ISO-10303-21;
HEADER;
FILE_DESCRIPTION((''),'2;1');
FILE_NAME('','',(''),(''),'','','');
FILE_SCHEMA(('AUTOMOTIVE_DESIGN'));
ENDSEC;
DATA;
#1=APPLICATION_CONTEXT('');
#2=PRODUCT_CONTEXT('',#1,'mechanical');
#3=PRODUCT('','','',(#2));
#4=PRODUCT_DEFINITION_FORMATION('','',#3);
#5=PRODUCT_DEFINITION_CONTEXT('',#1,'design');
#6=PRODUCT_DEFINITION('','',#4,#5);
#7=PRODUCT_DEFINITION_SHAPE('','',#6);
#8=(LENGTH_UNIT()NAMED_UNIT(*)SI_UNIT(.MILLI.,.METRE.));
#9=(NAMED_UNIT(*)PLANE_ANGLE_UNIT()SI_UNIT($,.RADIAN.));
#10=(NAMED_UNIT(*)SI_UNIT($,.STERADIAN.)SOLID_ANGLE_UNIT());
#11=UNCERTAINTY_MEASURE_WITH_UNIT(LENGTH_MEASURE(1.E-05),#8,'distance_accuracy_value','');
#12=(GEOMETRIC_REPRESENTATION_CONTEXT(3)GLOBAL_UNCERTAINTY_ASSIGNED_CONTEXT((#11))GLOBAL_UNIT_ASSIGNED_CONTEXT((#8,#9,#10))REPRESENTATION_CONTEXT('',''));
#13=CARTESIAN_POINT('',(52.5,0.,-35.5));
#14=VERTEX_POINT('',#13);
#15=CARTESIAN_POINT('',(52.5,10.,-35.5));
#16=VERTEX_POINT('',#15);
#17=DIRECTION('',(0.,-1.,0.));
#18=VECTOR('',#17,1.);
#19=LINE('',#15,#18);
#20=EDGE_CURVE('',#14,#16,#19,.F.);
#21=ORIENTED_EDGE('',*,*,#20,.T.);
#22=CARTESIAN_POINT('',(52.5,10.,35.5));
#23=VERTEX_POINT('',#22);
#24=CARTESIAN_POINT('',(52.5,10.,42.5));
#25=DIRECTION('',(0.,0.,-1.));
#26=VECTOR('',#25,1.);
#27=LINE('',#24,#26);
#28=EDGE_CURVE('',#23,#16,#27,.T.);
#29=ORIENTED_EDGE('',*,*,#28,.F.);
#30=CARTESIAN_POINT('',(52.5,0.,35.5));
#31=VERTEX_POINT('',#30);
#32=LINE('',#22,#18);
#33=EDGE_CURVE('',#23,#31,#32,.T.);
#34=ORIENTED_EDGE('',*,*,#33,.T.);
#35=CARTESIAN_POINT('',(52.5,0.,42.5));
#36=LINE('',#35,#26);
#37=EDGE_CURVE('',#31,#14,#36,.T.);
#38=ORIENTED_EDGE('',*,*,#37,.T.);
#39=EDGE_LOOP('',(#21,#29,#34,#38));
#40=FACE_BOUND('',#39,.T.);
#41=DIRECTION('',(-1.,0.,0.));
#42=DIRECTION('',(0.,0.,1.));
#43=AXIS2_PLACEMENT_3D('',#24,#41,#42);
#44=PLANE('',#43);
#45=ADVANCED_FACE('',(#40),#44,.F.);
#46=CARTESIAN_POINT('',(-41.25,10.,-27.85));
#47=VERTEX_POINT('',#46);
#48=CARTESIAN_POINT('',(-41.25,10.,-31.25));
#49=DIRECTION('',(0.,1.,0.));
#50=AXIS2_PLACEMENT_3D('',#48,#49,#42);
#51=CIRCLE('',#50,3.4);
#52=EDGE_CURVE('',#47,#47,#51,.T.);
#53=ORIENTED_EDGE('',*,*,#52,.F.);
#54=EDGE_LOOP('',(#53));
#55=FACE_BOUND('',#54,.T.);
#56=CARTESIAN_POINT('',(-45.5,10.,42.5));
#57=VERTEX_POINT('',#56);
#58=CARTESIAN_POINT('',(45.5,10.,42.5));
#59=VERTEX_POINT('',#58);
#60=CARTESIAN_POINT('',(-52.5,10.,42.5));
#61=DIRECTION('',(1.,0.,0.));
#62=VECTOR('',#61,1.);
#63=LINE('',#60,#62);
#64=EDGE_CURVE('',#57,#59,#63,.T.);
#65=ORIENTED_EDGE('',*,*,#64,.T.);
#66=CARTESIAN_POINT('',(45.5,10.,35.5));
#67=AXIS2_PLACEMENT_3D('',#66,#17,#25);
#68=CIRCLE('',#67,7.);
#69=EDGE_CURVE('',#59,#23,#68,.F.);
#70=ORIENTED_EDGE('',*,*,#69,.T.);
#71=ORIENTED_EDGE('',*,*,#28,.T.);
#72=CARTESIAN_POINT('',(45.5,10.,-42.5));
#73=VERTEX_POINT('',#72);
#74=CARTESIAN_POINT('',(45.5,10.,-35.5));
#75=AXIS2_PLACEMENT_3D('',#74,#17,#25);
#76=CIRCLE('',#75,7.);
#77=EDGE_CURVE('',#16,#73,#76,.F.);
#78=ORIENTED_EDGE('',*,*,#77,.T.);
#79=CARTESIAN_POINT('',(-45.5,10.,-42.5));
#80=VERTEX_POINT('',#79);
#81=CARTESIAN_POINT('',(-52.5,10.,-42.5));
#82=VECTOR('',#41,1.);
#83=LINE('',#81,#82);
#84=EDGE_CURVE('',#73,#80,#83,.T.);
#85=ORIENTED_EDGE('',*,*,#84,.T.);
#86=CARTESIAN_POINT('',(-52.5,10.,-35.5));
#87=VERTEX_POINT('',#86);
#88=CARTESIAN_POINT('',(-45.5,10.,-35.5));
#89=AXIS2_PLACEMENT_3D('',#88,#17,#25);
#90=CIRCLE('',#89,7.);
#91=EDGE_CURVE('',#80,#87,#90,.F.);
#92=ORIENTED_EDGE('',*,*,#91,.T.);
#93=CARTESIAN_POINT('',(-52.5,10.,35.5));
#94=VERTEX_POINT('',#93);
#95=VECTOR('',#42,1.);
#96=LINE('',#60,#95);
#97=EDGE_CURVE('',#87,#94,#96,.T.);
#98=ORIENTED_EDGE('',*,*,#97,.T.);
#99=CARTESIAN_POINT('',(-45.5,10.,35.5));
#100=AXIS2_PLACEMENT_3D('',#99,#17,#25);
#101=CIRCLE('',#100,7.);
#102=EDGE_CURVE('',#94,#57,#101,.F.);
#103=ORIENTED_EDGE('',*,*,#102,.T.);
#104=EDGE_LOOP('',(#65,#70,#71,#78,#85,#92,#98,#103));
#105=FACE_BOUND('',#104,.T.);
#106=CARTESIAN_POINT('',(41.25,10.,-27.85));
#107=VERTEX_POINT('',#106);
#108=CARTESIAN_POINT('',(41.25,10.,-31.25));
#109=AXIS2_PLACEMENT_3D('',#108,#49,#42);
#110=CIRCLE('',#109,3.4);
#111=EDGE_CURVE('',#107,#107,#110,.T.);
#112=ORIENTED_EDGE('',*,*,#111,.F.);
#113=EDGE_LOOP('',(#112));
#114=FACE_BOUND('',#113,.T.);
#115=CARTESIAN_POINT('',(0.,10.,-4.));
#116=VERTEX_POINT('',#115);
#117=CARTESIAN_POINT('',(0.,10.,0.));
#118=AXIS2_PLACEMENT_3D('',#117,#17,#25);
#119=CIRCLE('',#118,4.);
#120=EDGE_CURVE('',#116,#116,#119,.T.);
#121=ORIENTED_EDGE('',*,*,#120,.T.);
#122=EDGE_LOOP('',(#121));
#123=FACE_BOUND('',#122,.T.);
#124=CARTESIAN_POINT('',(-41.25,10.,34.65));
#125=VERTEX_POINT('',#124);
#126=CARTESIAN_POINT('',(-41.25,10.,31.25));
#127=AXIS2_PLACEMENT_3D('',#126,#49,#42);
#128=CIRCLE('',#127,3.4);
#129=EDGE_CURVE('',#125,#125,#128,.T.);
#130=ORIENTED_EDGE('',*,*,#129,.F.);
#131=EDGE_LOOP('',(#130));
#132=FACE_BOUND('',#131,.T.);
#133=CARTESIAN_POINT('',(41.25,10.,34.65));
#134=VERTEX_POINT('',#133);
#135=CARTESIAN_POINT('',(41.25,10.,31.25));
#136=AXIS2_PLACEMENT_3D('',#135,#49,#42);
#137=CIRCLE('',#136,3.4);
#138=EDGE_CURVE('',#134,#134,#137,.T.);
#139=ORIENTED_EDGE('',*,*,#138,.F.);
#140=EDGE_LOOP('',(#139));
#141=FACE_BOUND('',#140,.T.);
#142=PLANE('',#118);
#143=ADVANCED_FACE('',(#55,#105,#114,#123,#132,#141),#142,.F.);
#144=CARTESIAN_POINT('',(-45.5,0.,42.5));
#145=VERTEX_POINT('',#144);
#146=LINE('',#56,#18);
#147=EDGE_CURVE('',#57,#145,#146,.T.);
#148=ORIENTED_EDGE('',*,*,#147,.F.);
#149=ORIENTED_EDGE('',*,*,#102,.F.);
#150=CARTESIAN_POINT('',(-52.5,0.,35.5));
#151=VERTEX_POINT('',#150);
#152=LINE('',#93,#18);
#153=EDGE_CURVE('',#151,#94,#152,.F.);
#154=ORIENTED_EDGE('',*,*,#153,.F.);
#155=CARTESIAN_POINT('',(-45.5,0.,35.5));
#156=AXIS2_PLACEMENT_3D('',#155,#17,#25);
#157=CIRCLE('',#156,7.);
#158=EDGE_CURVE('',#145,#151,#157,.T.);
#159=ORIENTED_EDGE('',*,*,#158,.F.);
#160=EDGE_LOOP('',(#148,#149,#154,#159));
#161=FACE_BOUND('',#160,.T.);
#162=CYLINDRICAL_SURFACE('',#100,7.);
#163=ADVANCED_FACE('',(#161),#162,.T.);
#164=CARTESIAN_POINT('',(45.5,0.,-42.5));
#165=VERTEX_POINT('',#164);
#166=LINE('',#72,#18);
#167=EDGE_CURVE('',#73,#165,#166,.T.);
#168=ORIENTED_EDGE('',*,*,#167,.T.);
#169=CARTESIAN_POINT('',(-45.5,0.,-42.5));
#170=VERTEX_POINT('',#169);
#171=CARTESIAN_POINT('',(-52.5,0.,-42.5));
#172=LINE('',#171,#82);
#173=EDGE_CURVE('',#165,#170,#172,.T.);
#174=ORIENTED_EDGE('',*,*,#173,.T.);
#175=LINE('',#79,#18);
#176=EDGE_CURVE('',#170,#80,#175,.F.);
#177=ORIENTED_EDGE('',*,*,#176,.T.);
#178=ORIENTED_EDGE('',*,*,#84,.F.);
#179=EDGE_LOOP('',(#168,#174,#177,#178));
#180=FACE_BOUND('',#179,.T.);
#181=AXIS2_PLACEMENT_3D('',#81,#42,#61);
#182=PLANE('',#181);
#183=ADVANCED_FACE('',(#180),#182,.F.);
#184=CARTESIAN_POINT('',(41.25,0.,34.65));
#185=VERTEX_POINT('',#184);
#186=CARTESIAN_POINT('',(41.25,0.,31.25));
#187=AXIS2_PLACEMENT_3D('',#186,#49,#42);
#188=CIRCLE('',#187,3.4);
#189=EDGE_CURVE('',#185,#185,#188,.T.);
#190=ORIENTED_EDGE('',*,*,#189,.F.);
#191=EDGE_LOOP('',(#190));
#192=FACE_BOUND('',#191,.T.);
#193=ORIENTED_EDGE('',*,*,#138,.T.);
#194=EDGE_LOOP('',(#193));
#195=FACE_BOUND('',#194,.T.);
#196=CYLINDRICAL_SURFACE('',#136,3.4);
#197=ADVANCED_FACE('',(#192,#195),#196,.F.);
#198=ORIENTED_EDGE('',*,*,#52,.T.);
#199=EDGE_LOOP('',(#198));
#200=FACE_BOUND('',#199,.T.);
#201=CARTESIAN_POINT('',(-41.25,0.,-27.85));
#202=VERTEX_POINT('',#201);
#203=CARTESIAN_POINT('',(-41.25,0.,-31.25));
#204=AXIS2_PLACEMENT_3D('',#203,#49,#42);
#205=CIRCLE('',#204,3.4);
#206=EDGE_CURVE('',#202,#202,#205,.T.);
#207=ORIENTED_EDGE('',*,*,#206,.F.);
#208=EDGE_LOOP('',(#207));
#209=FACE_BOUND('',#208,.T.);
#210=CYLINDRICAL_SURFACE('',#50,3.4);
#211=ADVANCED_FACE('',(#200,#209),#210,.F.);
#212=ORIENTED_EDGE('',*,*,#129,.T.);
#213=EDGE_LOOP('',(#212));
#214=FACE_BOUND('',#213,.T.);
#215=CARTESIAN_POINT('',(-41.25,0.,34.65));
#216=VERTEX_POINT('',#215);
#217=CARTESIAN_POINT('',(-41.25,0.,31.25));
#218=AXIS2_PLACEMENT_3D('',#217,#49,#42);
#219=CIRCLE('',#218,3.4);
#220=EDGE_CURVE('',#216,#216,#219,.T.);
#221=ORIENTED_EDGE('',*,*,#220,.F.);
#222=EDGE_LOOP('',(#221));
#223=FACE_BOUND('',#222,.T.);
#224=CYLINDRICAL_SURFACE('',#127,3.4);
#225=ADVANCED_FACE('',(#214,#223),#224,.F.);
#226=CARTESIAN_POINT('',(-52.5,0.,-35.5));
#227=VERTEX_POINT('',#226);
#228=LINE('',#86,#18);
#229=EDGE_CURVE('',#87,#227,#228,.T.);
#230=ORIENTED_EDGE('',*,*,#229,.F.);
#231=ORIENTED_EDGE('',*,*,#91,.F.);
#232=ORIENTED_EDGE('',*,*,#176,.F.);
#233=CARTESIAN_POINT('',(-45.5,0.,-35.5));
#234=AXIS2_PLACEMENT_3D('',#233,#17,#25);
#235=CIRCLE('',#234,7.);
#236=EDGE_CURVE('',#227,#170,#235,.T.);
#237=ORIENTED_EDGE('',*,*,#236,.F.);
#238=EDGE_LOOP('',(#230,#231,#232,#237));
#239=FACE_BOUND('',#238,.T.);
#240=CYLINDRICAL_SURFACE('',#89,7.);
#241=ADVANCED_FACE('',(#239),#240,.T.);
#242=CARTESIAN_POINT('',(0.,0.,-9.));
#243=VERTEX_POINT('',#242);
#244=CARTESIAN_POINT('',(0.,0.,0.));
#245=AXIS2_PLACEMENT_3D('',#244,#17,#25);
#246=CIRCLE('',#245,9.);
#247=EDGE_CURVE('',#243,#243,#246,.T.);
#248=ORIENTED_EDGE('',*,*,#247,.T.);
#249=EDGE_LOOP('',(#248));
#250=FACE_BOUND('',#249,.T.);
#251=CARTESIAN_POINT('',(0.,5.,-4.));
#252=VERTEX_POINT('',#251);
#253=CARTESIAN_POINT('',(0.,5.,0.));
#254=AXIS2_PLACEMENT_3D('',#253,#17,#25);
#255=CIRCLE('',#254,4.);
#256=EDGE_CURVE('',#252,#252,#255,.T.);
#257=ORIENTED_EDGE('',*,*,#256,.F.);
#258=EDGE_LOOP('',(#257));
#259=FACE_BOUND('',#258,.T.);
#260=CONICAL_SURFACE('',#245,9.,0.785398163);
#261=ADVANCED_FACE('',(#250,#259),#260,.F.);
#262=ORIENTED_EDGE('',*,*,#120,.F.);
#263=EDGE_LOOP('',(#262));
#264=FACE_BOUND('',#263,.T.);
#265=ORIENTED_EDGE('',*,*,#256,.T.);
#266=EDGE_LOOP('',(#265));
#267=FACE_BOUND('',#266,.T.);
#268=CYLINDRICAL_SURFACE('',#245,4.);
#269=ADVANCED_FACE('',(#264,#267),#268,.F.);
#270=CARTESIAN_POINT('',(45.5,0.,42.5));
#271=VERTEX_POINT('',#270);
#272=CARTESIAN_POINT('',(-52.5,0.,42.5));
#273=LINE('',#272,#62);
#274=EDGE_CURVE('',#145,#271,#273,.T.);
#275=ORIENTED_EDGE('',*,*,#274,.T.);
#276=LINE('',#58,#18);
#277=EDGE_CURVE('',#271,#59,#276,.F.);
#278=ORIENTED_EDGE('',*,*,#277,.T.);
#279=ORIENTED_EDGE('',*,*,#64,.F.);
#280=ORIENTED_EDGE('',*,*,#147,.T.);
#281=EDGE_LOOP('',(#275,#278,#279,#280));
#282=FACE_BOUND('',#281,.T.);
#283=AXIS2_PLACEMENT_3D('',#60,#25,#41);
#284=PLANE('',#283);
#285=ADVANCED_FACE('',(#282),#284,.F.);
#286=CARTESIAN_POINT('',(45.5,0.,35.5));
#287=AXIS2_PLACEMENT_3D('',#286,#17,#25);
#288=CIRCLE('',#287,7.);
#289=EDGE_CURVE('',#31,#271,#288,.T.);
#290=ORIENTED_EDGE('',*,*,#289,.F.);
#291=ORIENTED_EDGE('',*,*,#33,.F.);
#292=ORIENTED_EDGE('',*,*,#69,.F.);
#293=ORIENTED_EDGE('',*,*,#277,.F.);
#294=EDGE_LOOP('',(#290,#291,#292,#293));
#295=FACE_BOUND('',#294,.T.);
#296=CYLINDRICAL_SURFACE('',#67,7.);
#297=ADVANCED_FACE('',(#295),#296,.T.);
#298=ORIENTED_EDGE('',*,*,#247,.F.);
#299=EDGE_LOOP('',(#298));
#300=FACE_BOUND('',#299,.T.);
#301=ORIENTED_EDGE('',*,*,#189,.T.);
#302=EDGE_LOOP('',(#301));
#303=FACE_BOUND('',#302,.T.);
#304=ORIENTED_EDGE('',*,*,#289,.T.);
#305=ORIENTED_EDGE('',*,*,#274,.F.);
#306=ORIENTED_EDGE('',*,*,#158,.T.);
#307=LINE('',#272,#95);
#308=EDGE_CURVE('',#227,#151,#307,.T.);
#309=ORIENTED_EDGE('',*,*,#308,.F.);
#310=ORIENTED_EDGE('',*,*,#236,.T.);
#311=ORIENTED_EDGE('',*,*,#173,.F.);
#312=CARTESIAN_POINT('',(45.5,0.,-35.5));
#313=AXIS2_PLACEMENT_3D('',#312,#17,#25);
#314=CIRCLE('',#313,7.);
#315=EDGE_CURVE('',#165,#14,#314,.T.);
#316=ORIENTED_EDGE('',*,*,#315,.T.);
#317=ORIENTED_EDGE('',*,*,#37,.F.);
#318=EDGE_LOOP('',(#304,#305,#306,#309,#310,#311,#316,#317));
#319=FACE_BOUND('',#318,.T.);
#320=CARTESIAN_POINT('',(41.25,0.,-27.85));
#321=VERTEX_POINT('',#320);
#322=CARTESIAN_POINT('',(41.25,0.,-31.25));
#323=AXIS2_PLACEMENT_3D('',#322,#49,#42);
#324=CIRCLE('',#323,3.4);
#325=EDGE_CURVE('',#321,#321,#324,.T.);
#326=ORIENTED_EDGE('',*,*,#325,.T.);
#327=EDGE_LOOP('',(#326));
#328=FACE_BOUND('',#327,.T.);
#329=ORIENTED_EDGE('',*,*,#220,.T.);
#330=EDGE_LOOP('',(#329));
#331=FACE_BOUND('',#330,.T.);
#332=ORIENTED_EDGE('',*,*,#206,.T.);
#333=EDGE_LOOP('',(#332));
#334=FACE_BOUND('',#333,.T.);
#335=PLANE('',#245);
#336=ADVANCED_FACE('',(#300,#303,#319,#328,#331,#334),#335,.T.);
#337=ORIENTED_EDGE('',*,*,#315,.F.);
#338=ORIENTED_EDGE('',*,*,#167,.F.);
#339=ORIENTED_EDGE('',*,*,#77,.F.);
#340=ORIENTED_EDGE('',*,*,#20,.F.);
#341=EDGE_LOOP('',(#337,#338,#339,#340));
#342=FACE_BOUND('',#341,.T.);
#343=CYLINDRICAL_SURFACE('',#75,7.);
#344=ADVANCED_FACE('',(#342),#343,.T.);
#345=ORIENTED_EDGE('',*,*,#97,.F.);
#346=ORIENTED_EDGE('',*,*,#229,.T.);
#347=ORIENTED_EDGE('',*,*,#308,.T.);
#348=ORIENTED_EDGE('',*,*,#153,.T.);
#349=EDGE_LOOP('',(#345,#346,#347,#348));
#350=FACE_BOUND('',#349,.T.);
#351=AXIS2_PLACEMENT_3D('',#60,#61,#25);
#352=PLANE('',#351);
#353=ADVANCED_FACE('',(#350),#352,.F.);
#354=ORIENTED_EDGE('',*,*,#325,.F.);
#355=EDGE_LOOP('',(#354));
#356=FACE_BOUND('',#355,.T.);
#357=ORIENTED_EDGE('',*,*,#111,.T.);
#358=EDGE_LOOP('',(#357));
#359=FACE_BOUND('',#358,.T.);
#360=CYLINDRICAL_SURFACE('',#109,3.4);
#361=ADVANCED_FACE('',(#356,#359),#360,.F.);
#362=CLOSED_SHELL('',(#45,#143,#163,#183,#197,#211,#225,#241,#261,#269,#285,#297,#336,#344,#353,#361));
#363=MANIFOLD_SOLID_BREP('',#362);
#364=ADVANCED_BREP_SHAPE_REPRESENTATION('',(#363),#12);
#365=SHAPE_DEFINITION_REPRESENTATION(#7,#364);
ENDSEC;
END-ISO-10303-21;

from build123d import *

# Parameters (mm, degrees)
SKETCH2_W                                  = 105
SKETCH2_H                                  = 85
BOSS_EXTRUDE1_DEPTH                        = 10
CASTER_MOUNTING_HOLES_TZPPED_HOLES_M8X1_D  = 6.8
CENTER_PROFILE_CS_HOLE_M8X1_25_D           = 8
CENTER_PROFILE_CS_HOLE_M8X1_25_DEPTH       = 10
CENTER_PROFILE_CS_HOLE_M8X1_25_CSINK_D     = 18
CENTER_PROFILE_CS_HOLE_M8X1_25_CSINK_ANGLE = 90
CENTER_PROFILE_CS_HOLE_M8X1_25_TIP         = 2.403442476
FILLET1_R                                  = 7


with BuildPart() as part:
    # Sketch2 → Boss-Extrude1 (new body)
    with BuildSketch(Plane(origin=(0, 0, 0), x_dir=(1, 0, 0), z_dir=(0, 1, 0))):
        Rectangle(SKETCH2_W, SKETCH2_H)
    extrude(amount=BOSS_EXTRUDE1_DEPTH)

    # caster mounting holes tzpped holes, m8x1.25 (through all)
    with Locations(Plane(origin=(0, 10, 0), x_dir=(1, 0, 0), z_dir=(0, 1, 0))):
        with Locations((-41.25, 31.25), (-41.25, -31.25), (41.25, -31.25), (41.25, 31.25)):
            Hole(CASTER_MOUNTING_HOLES_TZPPED_HOLES_M8X1_D / 2)

    # center profile cs hole, m8x1.25
    with Locations(Plane(origin=(0, 0, 0), x_dir=(-1, 0, 0), z_dir=(0, -1, 0))):
        with Locations((0, 0)):
            CounterSinkHole(CENTER_PROFILE_CS_HOLE_M8X1_25_D / 2, CENTER_PROFILE_CS_HOLE_M8X1_25_CSINK_D / 2, depth=CENTER_PROFILE_CS_HOLE_M8X1_25_DEPTH, counter_sink_angle=CENTER_PROFILE_CS_HOLE_M8X1_25_CSINK_ANGLE)
            with Locations((0, 0, -(CENTER_PROFILE_CS_HOLE_M8X1_25_DEPTH + CENTER_PROFILE_CS_HOLE_M8X1_25_TIP / 2))):  # 118° drill point
                Cone(0, CENTER_PROFILE_CS_HOLE_M8X1_25_D / 2, CENTER_PROFILE_CS_HOLE_M8X1_25_TIP, mode=Mode.SUBTRACT)

    # Fillet1
    fillet1_edges = [part.edges().sort_by_distance(p)[0] for p in [
        (52.5, 5, 42.5),
        (-52.5, 5, 42.5),
        (-52.5, 5, -42.5),
        (52.5, 5, -42.5),
    ]]
    fillet(fillet1_edges, radius=FILLET1_R)


solid = part.part
